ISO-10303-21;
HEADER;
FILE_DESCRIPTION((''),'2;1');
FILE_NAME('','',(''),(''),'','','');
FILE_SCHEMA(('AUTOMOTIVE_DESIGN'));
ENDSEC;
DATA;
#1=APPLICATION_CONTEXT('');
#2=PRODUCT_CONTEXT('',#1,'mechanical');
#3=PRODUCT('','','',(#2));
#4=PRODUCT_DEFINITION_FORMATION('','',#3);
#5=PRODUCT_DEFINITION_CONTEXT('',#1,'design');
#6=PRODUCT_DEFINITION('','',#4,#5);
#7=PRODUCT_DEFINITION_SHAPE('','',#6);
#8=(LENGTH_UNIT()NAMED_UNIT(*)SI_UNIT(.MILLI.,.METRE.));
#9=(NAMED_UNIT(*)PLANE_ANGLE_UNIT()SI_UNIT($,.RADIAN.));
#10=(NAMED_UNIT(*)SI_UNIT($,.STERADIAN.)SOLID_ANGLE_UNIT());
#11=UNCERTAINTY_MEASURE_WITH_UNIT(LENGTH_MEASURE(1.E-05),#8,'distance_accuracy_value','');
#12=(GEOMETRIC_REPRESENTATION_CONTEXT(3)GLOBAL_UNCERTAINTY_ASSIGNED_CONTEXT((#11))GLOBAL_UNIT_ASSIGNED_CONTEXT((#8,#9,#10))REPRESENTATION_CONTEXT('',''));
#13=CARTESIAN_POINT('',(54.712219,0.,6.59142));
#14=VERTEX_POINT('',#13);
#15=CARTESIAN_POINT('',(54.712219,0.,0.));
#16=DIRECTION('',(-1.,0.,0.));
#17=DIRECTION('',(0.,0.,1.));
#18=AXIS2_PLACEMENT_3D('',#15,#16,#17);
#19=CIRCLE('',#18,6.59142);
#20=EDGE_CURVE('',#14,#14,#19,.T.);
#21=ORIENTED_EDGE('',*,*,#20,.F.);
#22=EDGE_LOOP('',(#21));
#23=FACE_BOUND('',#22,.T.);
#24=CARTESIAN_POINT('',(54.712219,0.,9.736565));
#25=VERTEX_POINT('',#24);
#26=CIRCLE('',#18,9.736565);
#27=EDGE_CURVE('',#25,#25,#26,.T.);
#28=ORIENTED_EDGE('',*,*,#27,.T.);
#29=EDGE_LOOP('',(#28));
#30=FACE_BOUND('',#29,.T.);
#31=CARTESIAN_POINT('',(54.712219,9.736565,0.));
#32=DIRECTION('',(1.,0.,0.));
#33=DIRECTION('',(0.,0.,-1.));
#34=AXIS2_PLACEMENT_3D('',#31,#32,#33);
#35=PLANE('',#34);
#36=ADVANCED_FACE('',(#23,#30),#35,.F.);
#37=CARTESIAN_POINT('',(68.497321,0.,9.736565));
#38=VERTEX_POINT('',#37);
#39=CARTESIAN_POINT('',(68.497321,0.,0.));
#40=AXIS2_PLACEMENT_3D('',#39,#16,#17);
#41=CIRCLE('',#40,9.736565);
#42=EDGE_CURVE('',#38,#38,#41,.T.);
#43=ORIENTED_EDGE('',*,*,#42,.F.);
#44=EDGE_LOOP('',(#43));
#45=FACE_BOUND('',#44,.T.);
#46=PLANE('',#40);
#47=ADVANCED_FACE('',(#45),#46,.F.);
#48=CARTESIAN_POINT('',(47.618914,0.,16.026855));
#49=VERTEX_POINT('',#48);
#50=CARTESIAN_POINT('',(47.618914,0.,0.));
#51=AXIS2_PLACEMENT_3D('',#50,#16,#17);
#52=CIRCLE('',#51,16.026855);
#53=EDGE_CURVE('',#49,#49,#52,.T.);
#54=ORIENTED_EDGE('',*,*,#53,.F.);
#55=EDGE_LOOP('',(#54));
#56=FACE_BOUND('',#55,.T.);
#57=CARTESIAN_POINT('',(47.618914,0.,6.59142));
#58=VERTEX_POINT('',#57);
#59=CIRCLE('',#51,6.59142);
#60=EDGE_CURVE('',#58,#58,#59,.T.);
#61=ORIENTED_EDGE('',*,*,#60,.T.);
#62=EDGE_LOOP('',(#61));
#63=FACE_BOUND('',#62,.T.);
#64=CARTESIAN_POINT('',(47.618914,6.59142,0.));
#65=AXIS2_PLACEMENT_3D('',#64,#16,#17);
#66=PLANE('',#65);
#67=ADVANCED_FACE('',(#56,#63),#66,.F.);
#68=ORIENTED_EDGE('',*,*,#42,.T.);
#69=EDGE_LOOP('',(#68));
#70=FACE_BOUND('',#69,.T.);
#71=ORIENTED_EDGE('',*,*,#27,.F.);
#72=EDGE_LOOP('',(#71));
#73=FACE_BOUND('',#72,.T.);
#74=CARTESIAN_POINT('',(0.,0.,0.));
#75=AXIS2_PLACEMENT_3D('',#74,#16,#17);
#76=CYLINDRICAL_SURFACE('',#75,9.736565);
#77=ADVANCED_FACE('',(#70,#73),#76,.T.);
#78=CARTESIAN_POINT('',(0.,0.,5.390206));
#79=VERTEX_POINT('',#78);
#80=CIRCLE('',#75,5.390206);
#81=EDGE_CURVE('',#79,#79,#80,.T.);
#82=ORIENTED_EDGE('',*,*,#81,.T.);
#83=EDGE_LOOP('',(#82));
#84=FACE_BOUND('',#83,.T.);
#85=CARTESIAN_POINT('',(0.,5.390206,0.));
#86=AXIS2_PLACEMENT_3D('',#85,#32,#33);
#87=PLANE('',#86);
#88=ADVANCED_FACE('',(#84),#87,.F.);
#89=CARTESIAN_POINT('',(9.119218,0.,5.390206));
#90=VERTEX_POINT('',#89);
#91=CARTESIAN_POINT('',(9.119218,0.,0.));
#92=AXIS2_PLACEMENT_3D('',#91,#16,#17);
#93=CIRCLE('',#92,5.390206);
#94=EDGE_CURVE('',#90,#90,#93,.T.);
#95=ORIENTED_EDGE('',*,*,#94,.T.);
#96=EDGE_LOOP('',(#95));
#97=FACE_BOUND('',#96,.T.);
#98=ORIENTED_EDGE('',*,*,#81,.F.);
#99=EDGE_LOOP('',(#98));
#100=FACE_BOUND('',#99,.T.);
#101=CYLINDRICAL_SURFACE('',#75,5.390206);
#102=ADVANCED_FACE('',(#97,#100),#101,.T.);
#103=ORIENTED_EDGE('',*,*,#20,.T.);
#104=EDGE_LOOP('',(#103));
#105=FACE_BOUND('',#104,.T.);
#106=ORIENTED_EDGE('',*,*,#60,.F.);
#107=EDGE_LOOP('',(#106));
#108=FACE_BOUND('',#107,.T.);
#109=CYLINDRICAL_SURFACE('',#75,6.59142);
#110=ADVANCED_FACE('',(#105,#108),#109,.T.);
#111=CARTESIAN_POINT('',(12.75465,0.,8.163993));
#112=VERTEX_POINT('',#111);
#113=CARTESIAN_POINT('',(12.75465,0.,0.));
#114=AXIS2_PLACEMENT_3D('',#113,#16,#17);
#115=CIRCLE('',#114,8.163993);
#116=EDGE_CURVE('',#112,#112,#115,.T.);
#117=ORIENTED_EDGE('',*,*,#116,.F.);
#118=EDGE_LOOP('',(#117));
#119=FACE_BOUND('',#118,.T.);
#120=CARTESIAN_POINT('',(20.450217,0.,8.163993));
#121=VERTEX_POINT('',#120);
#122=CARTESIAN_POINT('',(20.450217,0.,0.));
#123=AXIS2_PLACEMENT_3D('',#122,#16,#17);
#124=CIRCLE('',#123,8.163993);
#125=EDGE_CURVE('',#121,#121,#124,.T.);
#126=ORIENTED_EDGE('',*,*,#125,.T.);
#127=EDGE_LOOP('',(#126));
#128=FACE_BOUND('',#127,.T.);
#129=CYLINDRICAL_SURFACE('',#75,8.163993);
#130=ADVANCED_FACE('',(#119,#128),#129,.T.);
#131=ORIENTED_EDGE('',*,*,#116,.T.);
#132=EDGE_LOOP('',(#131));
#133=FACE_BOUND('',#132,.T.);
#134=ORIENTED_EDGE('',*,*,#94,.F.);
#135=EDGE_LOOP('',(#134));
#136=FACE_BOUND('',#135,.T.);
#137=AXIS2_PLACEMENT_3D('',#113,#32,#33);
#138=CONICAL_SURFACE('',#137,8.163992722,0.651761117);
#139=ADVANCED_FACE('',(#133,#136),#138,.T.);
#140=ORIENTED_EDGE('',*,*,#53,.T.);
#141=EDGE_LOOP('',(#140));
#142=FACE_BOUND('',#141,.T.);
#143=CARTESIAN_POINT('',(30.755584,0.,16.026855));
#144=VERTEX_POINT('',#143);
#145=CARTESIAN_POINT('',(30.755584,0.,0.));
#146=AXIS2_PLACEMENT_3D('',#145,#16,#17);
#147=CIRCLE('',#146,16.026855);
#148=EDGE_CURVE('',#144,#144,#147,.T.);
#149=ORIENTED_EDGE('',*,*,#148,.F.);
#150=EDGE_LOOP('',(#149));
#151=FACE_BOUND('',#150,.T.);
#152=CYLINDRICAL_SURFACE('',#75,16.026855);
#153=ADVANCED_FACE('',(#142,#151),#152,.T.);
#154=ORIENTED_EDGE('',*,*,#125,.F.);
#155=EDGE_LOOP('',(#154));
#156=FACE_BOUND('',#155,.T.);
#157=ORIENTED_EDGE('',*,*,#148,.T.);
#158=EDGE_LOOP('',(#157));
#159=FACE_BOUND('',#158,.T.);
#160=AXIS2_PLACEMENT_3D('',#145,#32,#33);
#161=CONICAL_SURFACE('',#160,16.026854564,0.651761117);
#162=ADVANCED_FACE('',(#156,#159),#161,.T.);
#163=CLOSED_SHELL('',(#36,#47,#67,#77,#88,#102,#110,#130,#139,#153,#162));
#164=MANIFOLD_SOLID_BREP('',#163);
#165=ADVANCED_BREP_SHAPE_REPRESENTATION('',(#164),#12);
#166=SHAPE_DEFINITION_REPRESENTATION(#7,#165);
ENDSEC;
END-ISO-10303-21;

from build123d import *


with BuildPart() as part:
    # Sketch2 → Revolve1 (revolve)
    with BuildSketch(Plane.XY, mode=Mode.PRIVATE) as revolve1_sk:
        Polygon((68.497321264, 0), (68.497321264, 9.73656509), (54.712218799, 9.73656509), (54.712218799, 6.591420353), (47.618913648, 6.591420353), (47.618913648, 16.026854564), (30.755584419, 16.026854564), (20.450216557, 8.163992722), (12.754649648, 8.163992722), (9.119217922, 5.390205529), (0, 5.390205529), (0, 0), align=None)
    revolve(revolve1_sk.sketch.rotate(Axis((0, 0, 0), (1, 0, 0)), 90), axis=Axis((0, 0, 0), (1, 0, 0)))


solid = part.part
